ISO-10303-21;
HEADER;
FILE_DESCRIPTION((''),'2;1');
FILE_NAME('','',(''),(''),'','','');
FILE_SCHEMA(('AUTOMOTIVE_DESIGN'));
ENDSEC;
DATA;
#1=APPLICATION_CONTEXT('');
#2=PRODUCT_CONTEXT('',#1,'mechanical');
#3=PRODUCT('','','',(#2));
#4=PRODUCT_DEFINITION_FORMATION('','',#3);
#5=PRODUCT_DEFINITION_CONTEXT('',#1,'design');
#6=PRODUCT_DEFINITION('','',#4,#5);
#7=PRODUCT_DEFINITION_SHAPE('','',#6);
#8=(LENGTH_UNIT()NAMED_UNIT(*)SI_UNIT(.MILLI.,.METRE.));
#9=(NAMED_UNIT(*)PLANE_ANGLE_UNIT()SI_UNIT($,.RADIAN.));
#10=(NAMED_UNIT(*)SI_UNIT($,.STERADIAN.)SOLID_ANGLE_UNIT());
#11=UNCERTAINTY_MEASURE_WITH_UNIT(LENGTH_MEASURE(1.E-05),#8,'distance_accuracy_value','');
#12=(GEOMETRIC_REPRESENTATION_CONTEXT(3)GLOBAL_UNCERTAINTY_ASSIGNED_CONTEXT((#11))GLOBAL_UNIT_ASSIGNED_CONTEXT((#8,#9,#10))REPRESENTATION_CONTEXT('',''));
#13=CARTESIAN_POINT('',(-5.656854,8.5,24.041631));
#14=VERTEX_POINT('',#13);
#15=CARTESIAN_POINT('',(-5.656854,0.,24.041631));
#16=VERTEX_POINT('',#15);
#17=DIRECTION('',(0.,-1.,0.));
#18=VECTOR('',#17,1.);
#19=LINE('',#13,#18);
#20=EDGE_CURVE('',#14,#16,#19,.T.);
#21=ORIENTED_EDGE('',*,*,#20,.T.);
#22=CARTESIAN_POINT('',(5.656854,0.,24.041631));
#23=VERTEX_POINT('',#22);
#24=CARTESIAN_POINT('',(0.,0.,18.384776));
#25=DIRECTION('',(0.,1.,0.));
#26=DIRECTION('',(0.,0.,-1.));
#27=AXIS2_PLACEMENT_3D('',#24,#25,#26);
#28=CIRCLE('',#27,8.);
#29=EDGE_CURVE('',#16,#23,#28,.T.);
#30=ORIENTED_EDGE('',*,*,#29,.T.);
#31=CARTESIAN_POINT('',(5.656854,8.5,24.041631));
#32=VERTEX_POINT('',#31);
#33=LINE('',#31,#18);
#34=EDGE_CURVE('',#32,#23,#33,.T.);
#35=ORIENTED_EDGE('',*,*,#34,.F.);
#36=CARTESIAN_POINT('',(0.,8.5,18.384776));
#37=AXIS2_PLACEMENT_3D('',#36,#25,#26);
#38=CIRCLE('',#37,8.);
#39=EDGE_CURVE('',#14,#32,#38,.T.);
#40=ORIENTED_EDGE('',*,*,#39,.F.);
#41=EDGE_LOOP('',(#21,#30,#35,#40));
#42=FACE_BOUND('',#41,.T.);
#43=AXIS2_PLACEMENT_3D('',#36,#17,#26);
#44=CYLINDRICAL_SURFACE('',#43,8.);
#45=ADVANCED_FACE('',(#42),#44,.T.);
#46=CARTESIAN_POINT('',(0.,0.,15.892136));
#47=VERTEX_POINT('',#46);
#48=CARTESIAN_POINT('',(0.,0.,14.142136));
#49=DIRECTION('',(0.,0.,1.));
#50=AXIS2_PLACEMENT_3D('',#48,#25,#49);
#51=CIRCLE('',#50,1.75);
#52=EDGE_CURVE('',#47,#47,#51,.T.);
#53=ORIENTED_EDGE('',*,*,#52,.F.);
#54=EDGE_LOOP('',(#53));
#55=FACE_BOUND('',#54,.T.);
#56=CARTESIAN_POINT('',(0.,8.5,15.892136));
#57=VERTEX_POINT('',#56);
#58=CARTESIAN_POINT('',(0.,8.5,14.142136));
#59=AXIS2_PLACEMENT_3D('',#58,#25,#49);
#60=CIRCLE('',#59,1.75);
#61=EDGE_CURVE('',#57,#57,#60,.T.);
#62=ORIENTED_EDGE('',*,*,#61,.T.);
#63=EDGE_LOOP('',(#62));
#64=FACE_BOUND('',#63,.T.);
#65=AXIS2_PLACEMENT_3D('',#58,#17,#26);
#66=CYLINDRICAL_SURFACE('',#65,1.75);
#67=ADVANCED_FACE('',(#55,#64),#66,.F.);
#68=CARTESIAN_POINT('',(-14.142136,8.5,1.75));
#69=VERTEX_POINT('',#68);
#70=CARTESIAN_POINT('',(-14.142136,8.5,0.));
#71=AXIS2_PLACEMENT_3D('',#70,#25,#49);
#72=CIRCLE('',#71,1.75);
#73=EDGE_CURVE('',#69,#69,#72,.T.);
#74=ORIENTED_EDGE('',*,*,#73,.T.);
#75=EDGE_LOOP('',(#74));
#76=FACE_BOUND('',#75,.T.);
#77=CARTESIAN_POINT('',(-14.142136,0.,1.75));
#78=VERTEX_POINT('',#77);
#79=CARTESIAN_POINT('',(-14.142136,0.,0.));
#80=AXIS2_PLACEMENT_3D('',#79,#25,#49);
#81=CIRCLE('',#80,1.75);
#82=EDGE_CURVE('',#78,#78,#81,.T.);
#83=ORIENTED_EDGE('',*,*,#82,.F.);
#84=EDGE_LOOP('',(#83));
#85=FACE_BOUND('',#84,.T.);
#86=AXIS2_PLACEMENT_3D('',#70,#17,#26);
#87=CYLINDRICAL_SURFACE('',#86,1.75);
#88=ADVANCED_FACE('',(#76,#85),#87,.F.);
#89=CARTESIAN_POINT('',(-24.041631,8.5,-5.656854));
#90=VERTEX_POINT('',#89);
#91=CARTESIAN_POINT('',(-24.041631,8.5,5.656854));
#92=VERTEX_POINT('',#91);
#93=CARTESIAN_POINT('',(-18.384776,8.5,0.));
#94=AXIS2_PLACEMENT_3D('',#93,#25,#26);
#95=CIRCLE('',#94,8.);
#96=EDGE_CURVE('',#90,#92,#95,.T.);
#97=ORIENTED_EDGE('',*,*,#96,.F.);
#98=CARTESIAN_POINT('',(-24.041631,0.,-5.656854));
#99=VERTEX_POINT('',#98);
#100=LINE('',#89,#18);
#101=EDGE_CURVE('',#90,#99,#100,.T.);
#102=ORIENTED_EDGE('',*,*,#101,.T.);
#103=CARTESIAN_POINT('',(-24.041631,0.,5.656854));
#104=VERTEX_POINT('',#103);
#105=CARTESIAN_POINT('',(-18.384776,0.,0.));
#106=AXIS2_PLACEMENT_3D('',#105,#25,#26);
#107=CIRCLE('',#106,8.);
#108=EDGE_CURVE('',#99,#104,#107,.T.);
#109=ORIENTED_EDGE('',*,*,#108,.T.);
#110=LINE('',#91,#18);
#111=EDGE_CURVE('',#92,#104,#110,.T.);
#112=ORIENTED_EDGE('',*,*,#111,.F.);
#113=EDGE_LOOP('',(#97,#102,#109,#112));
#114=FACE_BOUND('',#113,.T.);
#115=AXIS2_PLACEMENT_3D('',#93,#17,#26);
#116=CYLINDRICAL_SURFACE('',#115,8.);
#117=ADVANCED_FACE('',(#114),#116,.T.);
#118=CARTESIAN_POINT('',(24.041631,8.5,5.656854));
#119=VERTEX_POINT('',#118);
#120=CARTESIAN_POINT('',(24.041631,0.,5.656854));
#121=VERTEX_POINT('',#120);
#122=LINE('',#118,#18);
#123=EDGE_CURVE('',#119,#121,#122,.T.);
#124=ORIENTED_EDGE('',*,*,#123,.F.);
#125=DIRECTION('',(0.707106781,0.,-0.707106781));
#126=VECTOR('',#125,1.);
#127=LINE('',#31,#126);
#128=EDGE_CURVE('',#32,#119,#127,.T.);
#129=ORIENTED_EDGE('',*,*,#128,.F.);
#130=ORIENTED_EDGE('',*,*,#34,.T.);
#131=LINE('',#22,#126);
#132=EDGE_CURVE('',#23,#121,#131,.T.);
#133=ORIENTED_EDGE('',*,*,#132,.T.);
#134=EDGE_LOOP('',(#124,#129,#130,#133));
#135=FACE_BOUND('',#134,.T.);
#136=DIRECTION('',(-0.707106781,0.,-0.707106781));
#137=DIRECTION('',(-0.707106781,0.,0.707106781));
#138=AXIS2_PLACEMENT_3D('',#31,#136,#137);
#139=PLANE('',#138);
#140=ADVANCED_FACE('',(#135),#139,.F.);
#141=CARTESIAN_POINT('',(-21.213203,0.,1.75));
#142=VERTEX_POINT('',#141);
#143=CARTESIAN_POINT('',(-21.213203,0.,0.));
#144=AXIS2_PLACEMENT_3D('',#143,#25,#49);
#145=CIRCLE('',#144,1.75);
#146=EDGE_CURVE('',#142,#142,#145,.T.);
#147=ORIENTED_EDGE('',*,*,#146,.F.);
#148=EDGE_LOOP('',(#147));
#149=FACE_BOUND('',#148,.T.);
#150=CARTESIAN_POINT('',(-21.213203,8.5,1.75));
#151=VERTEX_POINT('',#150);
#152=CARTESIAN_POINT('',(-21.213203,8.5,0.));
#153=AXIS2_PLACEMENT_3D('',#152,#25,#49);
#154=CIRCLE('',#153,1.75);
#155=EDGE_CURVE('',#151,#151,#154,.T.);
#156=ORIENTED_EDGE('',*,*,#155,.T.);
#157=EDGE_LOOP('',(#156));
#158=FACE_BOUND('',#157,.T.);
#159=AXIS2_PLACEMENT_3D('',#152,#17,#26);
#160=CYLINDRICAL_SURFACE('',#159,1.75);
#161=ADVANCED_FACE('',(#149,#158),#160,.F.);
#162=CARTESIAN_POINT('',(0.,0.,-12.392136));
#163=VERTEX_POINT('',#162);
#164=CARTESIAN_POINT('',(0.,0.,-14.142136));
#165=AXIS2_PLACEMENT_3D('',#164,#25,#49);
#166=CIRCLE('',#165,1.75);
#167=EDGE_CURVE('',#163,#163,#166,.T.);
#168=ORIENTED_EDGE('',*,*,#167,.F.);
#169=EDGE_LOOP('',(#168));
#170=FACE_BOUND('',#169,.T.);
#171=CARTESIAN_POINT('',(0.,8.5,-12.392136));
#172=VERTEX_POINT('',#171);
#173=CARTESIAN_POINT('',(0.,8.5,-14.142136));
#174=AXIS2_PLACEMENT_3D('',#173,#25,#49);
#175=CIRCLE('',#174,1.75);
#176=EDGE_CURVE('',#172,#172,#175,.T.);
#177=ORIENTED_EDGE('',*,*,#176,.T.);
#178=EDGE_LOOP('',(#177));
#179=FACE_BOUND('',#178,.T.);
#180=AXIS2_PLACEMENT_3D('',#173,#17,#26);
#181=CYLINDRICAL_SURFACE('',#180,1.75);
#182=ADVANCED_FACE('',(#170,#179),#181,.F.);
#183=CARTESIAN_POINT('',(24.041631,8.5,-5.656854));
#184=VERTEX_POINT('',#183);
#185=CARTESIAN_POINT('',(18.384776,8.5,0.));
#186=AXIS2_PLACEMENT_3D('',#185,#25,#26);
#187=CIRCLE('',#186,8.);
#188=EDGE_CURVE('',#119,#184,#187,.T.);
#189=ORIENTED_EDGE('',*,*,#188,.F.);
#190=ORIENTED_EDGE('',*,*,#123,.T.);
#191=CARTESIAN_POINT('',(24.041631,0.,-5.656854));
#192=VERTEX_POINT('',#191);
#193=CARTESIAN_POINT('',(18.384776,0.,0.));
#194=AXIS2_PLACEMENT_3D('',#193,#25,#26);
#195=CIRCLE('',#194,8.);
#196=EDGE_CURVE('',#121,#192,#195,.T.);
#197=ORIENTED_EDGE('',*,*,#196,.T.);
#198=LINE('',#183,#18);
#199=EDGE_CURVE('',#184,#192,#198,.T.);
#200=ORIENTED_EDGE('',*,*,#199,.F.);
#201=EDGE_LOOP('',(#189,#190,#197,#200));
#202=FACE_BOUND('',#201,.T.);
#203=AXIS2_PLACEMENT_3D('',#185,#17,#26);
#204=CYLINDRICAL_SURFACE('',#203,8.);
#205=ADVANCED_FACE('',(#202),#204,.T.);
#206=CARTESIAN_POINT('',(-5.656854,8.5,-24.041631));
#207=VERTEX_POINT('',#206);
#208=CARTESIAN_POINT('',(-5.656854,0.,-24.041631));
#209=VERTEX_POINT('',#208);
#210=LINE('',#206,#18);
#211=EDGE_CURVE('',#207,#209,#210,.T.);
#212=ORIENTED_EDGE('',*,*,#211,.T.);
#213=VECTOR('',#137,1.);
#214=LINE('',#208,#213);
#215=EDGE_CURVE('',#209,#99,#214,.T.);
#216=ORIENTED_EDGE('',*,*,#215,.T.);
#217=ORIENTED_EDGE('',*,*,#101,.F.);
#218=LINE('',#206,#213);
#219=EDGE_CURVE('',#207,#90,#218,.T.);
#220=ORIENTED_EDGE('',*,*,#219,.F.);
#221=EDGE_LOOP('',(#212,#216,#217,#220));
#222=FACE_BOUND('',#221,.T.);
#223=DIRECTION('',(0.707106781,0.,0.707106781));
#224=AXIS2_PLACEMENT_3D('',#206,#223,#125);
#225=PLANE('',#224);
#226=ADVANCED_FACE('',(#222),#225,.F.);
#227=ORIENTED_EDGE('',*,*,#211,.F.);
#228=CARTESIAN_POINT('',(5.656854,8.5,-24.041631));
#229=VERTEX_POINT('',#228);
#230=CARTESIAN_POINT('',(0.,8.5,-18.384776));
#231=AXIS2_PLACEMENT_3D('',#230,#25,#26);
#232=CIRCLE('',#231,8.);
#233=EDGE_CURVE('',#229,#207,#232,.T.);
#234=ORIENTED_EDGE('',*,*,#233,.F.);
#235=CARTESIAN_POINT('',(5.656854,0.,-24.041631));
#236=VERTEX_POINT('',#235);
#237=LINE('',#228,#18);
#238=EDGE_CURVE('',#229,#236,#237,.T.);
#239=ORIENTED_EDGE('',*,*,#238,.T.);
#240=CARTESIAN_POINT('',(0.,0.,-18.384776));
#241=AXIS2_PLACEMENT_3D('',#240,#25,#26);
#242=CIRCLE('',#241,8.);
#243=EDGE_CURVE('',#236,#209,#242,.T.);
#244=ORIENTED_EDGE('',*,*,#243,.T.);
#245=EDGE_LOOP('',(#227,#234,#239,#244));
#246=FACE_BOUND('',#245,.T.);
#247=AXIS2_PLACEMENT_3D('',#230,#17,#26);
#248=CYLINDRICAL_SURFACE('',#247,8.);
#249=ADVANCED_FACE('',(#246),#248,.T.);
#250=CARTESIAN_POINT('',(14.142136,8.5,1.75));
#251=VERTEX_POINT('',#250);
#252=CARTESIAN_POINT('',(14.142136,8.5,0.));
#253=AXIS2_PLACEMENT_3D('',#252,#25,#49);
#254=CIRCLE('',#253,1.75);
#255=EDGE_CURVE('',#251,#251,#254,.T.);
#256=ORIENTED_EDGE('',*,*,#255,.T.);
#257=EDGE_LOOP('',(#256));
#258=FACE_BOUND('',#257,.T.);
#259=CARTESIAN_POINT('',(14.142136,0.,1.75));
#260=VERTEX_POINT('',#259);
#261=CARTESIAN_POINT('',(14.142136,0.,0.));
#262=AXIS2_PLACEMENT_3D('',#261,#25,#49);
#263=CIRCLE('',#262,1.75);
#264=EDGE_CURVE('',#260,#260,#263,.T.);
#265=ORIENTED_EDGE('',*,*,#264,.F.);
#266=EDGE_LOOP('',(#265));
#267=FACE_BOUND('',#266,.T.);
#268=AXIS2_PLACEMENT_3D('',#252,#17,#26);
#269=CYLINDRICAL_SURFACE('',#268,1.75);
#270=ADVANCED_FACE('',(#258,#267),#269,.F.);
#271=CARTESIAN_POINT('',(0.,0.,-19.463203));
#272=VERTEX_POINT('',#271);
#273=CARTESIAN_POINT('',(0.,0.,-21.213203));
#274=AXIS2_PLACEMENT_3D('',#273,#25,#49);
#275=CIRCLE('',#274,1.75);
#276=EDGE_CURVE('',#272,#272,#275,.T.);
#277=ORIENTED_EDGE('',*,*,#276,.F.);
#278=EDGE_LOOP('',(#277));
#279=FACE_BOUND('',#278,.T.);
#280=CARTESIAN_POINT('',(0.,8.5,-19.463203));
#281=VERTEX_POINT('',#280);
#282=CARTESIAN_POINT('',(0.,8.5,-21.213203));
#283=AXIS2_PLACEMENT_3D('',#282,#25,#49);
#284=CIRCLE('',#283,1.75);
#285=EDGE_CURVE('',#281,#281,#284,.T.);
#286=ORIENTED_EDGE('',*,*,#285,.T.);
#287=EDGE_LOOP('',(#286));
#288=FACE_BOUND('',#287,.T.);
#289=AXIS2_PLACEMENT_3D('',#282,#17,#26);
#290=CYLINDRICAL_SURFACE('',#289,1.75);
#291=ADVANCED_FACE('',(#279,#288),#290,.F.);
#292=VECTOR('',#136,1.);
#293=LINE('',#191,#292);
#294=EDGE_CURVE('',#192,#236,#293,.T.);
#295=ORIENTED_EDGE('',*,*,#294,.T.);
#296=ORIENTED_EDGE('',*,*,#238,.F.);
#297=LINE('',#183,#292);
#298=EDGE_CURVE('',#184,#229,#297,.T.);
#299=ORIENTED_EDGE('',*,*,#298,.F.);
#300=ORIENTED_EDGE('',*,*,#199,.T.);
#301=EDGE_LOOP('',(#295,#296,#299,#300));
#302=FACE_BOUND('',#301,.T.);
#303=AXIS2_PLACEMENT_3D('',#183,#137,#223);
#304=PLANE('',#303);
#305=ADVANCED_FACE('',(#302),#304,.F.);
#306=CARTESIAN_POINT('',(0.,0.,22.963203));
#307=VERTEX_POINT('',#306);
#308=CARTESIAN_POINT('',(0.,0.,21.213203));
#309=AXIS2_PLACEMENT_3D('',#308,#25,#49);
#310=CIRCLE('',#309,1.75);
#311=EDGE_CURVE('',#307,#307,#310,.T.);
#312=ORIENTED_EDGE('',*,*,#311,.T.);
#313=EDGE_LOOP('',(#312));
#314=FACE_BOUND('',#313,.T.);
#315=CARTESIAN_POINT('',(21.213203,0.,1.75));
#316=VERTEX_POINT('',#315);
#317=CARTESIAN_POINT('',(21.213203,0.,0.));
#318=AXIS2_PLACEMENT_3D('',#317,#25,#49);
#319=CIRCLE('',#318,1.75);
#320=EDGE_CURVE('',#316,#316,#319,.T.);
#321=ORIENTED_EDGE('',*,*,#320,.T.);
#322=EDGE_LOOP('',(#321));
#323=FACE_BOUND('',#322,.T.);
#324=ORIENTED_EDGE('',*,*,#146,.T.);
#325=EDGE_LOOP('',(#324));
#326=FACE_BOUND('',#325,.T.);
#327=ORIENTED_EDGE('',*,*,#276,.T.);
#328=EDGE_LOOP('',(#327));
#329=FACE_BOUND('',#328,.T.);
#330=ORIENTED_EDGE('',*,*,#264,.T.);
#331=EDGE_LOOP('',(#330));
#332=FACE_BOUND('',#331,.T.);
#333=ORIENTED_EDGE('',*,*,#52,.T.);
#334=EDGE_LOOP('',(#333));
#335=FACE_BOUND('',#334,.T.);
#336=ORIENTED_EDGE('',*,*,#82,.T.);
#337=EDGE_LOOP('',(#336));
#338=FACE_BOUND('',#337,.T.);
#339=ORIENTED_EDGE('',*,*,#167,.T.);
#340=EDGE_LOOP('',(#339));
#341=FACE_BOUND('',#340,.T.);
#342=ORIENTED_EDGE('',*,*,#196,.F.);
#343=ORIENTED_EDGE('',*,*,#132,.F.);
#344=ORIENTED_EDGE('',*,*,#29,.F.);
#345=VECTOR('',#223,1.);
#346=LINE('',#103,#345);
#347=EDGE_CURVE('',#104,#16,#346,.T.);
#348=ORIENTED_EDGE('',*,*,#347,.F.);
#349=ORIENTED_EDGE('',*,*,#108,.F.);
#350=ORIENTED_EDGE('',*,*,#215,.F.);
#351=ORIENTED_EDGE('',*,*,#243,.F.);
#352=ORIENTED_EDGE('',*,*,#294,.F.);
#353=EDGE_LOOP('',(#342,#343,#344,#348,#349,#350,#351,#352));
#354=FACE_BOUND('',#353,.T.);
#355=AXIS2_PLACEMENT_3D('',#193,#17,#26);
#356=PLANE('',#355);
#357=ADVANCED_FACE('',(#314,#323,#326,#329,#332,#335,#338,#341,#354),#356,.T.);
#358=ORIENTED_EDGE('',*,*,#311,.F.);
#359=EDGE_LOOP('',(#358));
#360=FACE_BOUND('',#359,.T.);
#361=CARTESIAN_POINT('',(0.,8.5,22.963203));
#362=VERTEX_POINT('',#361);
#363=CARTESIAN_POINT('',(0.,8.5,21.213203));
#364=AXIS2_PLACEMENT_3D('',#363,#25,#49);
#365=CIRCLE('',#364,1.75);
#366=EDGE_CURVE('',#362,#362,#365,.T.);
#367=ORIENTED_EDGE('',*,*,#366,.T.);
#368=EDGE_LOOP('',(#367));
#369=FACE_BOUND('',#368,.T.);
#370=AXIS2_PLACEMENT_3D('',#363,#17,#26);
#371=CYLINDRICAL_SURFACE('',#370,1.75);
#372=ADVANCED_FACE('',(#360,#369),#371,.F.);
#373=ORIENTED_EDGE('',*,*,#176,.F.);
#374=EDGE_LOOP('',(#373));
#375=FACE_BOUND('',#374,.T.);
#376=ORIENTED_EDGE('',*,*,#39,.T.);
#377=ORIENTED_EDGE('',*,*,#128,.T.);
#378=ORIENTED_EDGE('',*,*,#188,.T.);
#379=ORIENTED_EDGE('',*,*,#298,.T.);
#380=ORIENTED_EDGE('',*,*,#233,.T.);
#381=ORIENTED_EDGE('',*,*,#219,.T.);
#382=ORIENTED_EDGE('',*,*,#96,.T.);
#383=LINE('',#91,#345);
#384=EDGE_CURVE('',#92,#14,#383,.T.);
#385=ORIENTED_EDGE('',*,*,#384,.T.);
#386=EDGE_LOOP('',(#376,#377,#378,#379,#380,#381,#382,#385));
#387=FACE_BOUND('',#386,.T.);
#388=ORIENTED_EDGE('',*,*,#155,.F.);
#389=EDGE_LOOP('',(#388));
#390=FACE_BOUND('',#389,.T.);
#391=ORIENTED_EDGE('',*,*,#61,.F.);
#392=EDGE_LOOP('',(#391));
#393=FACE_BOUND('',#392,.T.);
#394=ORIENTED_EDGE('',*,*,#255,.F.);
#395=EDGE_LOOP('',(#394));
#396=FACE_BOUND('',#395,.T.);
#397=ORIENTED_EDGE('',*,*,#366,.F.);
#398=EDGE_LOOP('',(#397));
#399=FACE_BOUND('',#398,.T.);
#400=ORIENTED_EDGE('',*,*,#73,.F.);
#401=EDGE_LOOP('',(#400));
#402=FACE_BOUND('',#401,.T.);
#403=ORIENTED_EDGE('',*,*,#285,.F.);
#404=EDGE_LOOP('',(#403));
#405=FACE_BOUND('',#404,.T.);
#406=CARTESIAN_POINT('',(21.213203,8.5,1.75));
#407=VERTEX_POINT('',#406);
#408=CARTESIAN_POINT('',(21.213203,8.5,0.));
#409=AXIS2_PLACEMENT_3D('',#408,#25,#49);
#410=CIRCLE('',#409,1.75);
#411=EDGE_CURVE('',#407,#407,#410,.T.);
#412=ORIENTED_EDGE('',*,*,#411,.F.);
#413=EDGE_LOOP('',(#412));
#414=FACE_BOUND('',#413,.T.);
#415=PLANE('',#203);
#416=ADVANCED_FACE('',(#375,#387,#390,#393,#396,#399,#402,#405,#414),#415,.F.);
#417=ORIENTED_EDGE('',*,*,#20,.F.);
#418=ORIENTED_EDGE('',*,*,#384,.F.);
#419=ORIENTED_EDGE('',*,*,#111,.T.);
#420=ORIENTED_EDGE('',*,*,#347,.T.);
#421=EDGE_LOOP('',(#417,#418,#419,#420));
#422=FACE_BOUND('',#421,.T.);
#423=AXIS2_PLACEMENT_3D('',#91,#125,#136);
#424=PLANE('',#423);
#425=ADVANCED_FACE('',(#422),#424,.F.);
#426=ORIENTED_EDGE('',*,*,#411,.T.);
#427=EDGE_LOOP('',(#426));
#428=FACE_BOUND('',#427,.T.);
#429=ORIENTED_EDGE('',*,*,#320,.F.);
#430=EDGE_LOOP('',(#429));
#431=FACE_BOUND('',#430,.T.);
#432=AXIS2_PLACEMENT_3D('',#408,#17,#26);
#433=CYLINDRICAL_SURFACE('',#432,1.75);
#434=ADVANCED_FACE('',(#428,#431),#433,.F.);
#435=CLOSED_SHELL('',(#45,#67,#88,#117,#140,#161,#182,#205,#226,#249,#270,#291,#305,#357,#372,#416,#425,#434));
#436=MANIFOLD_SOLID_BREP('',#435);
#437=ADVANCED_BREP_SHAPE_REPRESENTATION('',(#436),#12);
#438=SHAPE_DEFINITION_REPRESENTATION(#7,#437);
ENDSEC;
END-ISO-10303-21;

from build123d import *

# Parameters (mm, degrees)
SKETCH_1_R      = 1.75
EXTRUDE_1_DEPTH = 8.5


with BuildPart() as part:
    # Эскиз1 → Бобышка-Вытянуть1 (new body)
    with BuildSketch(Plane(origin=(0, 0, 0), x_dir=(1, 0, 0), z_dir=(0, 1, 0))):
        with BuildLine():
            Line((5.656854249, -24.04163056), (24.04163056, -5.656854249))
            ThreePointArc((24.04163056, -5.656854249), (26.384776311, 0), (24.04163056, 5.656854249))
            Line((24.04163056, 5.656854249), (5.656854249, 24.04163056))
            ThreePointArc((5.656854249, 24.04163056), (0, 26.384776311), (-5.656854249, 24.04163056))
            Line((-5.656854249, 24.04163056), (-24.04163056, 5.656854249))
            ThreePointArc((-24.04163056, 5.656854249), (-26.384776311, 0), (-24.04163056, -5.656854249))
            Line((-24.04163056, -5.656854249), (-5.656854249, -24.04163056))
            ThreePointArc((-5.656854249, -24.04163056), (0, -26.384776311), (5.656854249, -24.04163056))
        make_face()
        with Locations(Location((21.213203436, 0, 0), (0, 0, 270))):
            Circle(SKETCH_1_R, mode=Mode.SUBTRACT)
        with Locations(Location((14.142135624, 0, 0), (0, 0, 270))):
            Circle(SKETCH_1_R, mode=Mode.SUBTRACT)
        with Locations(Location((0, -14.142135624, 0), (0, 0, 270))):
            Circle(SKETCH_1_R, mode=Mode.SUBTRACT)
        with Locations(Location((0, -21.213203436, 0), (0, 0, 270))):
            Circle(SKETCH_1_R, mode=Mode.SUBTRACT)
        with Locations(Location((-14.142135624, 0, 0), (0, 0, 270))):
            Circle(SKETCH_1_R, mode=Mode.SUBTRACT)
        with Locations(Location((-21.213203436, 0, 0), (0, 0, 270))):
            Circle(SKETCH_1_R, mode=Mode.SUBTRACT)
        with Locations(Location((0, 14.142135624, 0), (0, 0, 270))):
            Circle(SKETCH_1_R, mode=Mode.SUBTRACT)
        with Locations(Location((0, 21.213203436, 0), (0, 0, 270))):
            Circle(SKETCH_1_R, mode=Mode.SUBTRACT)
    extrude(amount=EXTRUDE_1_DEPTH)


solid = part.part
